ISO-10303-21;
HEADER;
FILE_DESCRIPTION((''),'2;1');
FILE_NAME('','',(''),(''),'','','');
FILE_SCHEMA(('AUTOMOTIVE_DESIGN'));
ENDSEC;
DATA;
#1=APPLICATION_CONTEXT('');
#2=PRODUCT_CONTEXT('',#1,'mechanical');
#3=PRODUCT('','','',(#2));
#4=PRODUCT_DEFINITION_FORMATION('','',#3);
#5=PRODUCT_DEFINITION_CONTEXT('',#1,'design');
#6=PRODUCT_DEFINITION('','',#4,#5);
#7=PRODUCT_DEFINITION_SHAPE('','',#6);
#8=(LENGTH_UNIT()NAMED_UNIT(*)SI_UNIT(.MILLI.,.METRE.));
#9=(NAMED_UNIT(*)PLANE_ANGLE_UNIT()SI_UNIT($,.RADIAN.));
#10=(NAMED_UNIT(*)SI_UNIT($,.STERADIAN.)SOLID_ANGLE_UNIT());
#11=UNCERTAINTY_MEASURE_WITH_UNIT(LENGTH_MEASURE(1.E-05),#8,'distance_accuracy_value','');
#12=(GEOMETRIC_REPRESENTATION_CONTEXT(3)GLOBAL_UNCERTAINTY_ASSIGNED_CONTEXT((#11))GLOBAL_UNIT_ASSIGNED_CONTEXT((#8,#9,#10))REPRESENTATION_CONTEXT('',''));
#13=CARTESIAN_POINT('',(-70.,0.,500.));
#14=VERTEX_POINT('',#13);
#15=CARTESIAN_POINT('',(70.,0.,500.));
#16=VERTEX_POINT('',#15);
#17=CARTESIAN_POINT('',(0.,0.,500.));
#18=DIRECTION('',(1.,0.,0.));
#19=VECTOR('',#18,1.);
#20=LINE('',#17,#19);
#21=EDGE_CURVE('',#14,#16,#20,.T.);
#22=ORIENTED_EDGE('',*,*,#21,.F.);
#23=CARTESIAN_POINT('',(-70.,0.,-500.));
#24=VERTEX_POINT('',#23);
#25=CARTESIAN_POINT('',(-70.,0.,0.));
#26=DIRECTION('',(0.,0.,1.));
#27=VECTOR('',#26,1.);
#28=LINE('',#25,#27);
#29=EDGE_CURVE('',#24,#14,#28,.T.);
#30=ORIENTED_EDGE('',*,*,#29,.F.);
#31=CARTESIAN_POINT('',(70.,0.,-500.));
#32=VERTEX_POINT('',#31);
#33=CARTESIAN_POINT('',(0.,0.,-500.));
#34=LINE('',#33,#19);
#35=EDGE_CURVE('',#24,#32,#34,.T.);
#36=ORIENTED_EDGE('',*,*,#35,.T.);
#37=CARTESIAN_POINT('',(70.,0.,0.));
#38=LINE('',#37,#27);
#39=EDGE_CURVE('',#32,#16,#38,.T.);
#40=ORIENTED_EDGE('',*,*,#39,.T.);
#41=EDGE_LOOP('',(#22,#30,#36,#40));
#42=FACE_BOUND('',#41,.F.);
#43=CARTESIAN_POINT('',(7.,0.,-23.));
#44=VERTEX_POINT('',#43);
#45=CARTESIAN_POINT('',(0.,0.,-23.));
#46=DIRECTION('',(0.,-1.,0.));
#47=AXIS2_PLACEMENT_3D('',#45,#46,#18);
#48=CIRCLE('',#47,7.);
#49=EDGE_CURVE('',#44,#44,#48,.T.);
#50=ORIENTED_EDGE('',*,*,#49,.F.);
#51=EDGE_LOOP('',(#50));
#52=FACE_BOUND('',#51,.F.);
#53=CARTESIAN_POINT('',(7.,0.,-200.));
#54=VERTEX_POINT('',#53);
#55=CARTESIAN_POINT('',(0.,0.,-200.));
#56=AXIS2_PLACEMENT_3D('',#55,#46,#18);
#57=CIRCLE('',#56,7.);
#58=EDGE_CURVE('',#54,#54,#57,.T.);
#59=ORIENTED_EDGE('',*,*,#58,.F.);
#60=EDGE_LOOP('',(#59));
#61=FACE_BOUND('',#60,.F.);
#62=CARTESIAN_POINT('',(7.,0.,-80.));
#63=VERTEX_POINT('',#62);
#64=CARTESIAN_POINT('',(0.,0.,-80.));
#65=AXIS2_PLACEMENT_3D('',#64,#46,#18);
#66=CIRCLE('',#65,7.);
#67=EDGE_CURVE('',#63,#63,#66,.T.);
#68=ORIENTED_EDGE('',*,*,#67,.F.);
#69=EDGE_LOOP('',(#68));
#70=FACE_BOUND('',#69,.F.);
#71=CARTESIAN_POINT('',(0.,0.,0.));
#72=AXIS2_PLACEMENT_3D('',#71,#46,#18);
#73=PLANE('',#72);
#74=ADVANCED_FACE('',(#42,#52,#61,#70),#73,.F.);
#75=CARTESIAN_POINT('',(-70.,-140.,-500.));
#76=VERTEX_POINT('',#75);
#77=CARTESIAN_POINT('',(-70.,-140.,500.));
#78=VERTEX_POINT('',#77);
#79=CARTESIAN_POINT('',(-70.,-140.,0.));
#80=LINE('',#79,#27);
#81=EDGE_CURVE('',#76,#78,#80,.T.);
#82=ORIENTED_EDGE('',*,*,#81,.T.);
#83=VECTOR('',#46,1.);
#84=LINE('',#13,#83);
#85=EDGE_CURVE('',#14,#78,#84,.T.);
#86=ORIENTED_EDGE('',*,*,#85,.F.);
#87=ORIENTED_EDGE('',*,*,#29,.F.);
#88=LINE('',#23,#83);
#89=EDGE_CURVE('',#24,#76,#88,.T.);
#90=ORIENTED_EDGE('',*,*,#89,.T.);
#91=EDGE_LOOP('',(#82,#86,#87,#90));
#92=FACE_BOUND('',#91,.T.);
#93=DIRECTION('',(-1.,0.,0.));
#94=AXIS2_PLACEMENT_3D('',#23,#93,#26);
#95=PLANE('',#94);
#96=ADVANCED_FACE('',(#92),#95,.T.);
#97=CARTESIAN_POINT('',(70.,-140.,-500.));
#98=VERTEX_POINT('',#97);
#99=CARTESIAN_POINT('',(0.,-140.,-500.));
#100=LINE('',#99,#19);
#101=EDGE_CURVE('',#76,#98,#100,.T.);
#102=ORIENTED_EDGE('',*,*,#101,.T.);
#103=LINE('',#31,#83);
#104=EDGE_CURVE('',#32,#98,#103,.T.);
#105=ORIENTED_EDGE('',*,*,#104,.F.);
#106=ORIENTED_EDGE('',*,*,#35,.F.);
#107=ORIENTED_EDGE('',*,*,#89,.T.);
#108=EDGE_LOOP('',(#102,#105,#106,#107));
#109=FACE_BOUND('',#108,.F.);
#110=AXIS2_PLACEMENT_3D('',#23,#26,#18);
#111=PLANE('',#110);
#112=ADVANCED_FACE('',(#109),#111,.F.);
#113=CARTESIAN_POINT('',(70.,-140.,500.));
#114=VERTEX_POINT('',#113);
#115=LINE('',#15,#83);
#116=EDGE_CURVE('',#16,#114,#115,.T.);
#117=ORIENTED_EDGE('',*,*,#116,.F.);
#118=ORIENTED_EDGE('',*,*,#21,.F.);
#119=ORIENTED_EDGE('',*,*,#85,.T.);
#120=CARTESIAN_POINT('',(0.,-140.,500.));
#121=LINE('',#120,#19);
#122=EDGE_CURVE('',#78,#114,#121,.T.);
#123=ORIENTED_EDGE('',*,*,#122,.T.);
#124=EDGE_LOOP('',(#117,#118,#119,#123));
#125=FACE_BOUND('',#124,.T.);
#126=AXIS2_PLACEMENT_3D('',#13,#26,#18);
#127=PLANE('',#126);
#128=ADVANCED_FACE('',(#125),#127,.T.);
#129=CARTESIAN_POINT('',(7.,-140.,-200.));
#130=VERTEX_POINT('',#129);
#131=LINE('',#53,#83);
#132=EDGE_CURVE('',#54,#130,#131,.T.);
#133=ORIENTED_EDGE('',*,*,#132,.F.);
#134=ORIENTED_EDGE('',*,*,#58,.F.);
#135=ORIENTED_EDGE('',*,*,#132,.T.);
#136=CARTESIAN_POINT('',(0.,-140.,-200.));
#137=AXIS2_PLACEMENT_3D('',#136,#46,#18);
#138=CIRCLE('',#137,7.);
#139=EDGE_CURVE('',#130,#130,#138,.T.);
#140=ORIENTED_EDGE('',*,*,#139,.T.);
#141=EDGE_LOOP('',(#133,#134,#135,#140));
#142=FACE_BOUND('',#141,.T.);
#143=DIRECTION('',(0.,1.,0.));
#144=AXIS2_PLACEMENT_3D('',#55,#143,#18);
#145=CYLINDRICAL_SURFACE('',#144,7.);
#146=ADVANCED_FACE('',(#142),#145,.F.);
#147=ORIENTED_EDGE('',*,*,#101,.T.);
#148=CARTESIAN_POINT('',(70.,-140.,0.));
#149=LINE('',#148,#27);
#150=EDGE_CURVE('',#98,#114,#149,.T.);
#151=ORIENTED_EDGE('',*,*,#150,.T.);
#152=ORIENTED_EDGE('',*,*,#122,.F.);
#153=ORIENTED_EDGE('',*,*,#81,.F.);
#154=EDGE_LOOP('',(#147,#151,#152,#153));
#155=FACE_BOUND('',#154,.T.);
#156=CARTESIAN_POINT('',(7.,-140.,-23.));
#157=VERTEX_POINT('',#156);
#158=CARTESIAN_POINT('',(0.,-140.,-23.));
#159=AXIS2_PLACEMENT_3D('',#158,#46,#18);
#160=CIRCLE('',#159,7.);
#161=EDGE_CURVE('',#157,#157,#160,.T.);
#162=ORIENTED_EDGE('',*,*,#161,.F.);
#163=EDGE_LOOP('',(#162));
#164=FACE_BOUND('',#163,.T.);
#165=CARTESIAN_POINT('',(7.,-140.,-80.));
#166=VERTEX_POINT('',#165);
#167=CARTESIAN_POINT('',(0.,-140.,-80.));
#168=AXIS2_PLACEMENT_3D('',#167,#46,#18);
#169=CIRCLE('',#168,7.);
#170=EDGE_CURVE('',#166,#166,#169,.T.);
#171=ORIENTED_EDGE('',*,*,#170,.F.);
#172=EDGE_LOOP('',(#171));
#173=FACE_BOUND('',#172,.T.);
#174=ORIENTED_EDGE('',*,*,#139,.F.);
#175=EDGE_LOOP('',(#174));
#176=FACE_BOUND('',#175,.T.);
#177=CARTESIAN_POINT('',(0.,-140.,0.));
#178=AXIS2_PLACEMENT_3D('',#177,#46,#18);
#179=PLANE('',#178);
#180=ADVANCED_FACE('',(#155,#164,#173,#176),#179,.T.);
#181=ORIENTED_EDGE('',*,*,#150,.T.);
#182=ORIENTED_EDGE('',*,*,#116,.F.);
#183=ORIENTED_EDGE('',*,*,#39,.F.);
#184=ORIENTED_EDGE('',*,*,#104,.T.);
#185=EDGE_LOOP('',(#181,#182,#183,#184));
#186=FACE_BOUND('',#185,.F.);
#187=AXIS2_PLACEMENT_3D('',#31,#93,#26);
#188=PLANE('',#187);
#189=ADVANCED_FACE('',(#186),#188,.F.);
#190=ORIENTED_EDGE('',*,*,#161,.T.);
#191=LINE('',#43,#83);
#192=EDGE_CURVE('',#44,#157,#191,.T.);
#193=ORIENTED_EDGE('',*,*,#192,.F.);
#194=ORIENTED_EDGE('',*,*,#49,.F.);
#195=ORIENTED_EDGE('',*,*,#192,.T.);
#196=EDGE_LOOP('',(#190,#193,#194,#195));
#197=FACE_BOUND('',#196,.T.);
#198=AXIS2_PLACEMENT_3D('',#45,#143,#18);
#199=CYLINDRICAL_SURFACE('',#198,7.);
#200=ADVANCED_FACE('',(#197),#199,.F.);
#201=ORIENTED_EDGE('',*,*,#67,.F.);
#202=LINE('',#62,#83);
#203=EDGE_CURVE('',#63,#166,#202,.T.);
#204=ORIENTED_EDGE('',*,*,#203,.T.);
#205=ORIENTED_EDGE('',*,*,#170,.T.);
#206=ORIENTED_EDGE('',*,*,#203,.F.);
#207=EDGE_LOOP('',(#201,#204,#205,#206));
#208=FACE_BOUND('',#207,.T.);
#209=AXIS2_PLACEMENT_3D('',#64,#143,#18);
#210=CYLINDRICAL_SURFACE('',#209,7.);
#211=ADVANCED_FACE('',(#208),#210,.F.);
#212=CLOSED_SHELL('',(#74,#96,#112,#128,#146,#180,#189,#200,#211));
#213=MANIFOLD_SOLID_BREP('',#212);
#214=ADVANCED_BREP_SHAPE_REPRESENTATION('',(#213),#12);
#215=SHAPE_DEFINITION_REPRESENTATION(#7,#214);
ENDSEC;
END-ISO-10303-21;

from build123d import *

# Parameters (mm, degrees)
F0_W     = 140
F0_H     = 1000
F0_R     = 7
F1_DEPTH = 140


with BuildPart() as f1:
    # F0 (on Front) → F1 (new body)
    with BuildSketch(Plane.XZ):
        Rectangle(F0_W, F0_H)
        with Locations((0, -200)):
            Circle(F0_R, mode=Mode.SUBTRACT)
        with Locations((0, -80)):
            Circle(F0_R, mode=Mode.SUBTRACT)
        with Locations((0, -23)):
            Circle(F0_R, mode=Mode.SUBTRACT)
    extrude(amount=F1_DEPTH)


solid = f1.part
